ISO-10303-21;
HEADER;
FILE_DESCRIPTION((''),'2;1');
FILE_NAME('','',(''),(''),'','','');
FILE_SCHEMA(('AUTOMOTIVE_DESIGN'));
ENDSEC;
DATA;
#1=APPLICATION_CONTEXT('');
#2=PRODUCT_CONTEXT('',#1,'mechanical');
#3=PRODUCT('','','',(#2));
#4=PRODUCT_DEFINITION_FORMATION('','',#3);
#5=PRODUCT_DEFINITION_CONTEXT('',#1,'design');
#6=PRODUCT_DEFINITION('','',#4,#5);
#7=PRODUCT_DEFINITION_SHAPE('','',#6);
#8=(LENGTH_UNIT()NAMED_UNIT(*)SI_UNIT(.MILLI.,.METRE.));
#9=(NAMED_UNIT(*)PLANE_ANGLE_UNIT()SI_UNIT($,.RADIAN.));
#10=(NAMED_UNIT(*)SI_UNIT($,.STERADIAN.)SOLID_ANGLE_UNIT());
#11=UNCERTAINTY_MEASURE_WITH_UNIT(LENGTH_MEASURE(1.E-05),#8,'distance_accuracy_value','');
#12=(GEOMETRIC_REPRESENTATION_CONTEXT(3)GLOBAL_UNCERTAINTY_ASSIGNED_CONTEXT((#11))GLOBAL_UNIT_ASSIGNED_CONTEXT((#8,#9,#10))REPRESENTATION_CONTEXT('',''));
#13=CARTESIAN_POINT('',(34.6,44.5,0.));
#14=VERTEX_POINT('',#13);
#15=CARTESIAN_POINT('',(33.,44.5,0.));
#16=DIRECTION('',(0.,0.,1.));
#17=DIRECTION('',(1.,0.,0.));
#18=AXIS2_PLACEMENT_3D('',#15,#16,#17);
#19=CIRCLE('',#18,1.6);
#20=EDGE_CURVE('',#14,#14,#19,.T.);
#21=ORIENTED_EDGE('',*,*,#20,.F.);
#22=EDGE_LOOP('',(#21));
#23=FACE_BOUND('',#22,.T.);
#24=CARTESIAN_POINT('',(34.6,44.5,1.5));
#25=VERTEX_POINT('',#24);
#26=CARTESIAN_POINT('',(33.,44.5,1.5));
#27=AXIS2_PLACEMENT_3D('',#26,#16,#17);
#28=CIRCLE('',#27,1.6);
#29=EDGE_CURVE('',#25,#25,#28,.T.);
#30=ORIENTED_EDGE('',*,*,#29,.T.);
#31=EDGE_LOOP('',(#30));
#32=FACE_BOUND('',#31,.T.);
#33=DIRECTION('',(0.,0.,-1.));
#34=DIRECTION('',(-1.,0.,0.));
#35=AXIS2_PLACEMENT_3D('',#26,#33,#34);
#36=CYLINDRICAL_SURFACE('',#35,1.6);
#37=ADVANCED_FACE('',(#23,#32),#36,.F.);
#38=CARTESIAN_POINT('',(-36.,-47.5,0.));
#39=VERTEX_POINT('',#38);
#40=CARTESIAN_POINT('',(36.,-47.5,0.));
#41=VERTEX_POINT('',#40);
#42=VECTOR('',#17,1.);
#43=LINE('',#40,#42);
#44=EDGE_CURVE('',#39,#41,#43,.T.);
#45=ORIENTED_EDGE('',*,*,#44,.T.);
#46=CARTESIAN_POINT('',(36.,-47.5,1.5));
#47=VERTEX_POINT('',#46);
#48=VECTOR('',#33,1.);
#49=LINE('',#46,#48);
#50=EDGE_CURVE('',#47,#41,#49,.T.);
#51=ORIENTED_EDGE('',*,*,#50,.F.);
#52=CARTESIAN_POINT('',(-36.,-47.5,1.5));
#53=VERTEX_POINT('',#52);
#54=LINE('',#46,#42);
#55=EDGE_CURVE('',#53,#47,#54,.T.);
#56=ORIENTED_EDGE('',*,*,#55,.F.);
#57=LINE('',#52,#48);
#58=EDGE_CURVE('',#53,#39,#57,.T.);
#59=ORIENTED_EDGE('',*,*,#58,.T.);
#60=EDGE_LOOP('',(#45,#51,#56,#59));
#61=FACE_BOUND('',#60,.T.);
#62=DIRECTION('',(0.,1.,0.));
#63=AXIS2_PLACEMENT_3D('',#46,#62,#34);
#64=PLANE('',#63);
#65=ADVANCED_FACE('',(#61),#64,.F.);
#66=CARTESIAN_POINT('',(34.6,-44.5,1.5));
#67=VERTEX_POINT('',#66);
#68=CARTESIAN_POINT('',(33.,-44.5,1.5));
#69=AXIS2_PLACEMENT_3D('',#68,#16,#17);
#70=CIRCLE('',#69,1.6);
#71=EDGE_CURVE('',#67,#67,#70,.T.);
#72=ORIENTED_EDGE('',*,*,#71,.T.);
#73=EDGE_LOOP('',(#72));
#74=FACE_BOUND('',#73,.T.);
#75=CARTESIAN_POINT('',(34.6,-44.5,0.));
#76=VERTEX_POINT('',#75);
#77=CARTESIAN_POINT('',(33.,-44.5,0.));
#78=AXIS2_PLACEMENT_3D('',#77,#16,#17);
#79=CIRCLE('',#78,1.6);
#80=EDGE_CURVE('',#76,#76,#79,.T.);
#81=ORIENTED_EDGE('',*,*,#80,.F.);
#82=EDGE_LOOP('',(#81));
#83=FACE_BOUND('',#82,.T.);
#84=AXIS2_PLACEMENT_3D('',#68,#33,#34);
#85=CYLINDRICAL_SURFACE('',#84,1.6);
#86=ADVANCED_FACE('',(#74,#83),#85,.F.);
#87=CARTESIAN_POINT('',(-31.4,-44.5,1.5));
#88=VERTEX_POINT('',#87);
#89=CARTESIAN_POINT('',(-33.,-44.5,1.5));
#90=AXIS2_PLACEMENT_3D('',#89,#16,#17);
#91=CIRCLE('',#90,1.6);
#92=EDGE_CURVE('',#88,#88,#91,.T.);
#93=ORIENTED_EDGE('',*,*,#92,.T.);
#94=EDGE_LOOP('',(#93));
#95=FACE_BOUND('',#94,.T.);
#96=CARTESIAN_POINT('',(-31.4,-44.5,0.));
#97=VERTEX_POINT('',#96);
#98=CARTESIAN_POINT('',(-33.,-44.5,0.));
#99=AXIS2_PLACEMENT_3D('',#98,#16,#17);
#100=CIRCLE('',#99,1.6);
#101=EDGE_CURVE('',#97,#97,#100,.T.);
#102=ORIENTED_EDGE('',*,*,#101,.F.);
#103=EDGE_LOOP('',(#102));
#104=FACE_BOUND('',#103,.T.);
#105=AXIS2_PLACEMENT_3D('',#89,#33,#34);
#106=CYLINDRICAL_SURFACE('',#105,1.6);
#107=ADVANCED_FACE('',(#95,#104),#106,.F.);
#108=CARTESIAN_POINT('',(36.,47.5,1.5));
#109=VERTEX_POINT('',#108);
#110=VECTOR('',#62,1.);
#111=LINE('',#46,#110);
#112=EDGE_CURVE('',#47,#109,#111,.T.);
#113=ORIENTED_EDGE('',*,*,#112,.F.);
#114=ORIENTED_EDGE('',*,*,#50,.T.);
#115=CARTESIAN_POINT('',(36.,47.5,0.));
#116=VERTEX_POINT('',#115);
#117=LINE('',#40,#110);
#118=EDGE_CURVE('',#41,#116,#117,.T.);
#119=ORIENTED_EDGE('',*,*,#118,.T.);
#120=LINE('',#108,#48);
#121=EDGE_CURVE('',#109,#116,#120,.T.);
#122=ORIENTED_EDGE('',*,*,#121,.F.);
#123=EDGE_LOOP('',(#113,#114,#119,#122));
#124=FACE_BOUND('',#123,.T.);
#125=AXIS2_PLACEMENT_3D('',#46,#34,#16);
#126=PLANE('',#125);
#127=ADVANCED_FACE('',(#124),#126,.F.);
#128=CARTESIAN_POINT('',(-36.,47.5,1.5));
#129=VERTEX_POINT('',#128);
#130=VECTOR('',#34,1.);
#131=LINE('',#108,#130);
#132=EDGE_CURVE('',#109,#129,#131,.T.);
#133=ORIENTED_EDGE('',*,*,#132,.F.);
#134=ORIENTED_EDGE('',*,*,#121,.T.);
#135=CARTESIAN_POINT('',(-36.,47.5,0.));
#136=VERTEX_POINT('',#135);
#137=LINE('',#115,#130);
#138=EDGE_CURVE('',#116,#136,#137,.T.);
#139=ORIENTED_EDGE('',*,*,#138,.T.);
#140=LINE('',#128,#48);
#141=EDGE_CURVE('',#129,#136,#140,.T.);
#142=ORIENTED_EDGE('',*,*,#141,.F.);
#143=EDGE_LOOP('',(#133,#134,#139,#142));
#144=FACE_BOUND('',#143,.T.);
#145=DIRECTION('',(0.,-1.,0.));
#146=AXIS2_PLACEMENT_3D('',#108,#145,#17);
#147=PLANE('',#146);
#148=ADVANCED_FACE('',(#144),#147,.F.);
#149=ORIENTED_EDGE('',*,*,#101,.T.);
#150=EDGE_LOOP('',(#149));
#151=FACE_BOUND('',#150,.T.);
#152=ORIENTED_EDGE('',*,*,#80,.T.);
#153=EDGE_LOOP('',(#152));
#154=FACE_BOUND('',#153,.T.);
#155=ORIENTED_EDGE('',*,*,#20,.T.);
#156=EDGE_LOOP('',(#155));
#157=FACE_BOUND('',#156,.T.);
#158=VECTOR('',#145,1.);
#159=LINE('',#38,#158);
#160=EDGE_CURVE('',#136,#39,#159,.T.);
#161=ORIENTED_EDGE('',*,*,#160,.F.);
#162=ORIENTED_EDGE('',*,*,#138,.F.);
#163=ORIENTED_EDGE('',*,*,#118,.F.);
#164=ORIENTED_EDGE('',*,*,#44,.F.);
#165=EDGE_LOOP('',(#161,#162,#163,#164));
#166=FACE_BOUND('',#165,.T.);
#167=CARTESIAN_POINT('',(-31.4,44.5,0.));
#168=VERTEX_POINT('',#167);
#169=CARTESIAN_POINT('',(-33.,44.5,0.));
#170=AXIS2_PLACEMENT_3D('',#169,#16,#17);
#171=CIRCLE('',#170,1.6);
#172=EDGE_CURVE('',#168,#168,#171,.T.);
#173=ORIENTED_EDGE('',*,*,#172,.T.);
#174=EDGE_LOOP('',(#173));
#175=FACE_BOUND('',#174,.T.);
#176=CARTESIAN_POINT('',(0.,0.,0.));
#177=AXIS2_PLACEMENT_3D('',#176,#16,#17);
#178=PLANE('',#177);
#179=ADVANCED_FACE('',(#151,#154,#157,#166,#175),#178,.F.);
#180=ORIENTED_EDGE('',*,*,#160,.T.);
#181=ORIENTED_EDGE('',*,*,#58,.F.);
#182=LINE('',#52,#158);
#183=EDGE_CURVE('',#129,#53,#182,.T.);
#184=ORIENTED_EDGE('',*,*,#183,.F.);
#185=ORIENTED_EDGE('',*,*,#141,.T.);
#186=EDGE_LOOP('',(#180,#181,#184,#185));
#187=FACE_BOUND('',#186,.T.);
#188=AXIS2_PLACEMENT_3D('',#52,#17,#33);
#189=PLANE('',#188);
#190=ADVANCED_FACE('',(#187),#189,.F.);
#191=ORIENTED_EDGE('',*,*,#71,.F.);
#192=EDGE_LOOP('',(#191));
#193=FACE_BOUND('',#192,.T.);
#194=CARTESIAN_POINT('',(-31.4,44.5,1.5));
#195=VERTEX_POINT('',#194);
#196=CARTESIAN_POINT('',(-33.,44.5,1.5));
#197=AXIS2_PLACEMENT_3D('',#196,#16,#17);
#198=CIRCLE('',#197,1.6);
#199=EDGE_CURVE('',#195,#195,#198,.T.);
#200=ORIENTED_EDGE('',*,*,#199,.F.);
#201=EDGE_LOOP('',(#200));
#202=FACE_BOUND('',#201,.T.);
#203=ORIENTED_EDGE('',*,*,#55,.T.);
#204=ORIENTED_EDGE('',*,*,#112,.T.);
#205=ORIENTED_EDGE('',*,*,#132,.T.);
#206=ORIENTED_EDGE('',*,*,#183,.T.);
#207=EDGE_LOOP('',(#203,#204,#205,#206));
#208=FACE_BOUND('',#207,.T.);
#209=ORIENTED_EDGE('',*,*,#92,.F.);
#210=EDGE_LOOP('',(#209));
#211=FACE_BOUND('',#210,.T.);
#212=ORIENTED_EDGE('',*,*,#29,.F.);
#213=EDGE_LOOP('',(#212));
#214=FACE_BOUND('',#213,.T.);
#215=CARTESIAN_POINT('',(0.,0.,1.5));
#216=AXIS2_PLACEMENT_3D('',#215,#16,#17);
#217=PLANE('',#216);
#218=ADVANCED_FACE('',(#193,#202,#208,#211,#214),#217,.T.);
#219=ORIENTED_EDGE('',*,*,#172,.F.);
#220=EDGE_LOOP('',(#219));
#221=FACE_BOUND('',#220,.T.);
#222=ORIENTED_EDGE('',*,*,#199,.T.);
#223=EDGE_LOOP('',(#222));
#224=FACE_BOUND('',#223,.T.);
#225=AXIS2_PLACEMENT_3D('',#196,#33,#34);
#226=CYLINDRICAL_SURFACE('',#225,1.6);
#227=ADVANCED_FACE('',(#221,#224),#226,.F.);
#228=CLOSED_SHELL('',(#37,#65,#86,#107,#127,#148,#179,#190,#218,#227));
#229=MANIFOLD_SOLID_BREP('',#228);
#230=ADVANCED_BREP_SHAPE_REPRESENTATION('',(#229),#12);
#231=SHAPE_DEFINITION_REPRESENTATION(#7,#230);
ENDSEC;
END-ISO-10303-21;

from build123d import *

# Parameters (mm, degrees)
SKETCH_1_W      = 72
SKETCH_1_H      = 95
SKETCH_1_R      = 1.6
EXTRUDE_1_DEPTH = 1.5


with BuildPart() as part:
    # ｽｹｯﾁ1 → ﾎﾞｽ - 押し出し1 (new body)
    with BuildSketch(Plane.XY):
        Rectangle(SKETCH_1_W, SKETCH_1_H)
        with Locations((-33, 44.5)):
            Circle(SKETCH_1_R, mode=Mode.SUBTRACT)
        with Locations((33, 44.5)):
            Circle(SKETCH_1_R, mode=Mode.SUBTRACT)
        with Locations((-33, -44.5)):
            Circle(SKETCH_1_R, mode=Mode.SUBTRACT)
        with Locations((33, -44.5)):
            Circle(SKETCH_1_R, mode=Mode.SUBTRACT)
    extrude(amount=EXTRUDE_1_DEPTH)


solid = part.part
